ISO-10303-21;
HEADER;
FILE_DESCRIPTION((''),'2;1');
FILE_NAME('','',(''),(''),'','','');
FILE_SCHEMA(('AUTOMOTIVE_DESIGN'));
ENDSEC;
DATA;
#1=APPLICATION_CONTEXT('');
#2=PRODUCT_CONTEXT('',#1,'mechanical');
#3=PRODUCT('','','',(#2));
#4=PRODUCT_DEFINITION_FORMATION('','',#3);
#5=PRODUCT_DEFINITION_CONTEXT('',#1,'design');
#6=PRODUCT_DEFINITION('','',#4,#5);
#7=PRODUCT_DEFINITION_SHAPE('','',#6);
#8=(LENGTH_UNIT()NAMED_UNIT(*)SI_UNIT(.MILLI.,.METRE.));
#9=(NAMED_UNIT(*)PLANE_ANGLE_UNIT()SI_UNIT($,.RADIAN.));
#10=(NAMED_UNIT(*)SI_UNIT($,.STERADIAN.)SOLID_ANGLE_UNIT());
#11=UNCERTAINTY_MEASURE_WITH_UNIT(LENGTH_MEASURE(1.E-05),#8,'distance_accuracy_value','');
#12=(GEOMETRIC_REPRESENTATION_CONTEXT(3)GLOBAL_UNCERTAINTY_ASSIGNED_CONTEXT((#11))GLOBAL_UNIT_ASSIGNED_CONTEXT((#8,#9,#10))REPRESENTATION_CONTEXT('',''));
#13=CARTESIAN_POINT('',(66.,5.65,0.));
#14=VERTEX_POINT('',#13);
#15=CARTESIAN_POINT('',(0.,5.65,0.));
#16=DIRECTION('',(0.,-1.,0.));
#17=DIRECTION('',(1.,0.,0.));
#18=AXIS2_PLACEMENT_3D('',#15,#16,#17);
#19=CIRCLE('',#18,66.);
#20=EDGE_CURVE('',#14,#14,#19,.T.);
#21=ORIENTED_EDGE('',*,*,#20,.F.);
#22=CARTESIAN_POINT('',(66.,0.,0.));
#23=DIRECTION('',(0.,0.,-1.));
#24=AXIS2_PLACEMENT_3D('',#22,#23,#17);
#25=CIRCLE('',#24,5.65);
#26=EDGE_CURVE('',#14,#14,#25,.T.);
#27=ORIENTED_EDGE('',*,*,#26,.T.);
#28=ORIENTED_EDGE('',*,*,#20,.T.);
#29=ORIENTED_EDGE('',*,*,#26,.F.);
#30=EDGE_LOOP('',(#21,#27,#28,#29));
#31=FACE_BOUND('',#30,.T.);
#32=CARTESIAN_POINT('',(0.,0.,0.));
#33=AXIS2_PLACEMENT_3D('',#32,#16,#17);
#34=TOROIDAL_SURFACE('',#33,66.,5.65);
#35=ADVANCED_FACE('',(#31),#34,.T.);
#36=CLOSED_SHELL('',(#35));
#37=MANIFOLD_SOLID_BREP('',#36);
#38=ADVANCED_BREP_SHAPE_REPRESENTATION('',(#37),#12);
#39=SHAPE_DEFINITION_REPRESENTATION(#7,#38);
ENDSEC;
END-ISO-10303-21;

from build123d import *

# Parameters (mm, degrees)
F1_R = 5.65


with BuildPart() as f2:
    # F2: sweep along a path in F0
    with BuildLine(Plane.XZ) as f2_path:
        CenterArc((0, 0), 66, 0, 360)
    # F1 (on Right) → F2 (sweep)
    with BuildSketch(Plane.YZ):
        with Locations((0, -66)):
            Circle(F1_R)
    sweep(path=f2_path.line)


solid = f2.part
